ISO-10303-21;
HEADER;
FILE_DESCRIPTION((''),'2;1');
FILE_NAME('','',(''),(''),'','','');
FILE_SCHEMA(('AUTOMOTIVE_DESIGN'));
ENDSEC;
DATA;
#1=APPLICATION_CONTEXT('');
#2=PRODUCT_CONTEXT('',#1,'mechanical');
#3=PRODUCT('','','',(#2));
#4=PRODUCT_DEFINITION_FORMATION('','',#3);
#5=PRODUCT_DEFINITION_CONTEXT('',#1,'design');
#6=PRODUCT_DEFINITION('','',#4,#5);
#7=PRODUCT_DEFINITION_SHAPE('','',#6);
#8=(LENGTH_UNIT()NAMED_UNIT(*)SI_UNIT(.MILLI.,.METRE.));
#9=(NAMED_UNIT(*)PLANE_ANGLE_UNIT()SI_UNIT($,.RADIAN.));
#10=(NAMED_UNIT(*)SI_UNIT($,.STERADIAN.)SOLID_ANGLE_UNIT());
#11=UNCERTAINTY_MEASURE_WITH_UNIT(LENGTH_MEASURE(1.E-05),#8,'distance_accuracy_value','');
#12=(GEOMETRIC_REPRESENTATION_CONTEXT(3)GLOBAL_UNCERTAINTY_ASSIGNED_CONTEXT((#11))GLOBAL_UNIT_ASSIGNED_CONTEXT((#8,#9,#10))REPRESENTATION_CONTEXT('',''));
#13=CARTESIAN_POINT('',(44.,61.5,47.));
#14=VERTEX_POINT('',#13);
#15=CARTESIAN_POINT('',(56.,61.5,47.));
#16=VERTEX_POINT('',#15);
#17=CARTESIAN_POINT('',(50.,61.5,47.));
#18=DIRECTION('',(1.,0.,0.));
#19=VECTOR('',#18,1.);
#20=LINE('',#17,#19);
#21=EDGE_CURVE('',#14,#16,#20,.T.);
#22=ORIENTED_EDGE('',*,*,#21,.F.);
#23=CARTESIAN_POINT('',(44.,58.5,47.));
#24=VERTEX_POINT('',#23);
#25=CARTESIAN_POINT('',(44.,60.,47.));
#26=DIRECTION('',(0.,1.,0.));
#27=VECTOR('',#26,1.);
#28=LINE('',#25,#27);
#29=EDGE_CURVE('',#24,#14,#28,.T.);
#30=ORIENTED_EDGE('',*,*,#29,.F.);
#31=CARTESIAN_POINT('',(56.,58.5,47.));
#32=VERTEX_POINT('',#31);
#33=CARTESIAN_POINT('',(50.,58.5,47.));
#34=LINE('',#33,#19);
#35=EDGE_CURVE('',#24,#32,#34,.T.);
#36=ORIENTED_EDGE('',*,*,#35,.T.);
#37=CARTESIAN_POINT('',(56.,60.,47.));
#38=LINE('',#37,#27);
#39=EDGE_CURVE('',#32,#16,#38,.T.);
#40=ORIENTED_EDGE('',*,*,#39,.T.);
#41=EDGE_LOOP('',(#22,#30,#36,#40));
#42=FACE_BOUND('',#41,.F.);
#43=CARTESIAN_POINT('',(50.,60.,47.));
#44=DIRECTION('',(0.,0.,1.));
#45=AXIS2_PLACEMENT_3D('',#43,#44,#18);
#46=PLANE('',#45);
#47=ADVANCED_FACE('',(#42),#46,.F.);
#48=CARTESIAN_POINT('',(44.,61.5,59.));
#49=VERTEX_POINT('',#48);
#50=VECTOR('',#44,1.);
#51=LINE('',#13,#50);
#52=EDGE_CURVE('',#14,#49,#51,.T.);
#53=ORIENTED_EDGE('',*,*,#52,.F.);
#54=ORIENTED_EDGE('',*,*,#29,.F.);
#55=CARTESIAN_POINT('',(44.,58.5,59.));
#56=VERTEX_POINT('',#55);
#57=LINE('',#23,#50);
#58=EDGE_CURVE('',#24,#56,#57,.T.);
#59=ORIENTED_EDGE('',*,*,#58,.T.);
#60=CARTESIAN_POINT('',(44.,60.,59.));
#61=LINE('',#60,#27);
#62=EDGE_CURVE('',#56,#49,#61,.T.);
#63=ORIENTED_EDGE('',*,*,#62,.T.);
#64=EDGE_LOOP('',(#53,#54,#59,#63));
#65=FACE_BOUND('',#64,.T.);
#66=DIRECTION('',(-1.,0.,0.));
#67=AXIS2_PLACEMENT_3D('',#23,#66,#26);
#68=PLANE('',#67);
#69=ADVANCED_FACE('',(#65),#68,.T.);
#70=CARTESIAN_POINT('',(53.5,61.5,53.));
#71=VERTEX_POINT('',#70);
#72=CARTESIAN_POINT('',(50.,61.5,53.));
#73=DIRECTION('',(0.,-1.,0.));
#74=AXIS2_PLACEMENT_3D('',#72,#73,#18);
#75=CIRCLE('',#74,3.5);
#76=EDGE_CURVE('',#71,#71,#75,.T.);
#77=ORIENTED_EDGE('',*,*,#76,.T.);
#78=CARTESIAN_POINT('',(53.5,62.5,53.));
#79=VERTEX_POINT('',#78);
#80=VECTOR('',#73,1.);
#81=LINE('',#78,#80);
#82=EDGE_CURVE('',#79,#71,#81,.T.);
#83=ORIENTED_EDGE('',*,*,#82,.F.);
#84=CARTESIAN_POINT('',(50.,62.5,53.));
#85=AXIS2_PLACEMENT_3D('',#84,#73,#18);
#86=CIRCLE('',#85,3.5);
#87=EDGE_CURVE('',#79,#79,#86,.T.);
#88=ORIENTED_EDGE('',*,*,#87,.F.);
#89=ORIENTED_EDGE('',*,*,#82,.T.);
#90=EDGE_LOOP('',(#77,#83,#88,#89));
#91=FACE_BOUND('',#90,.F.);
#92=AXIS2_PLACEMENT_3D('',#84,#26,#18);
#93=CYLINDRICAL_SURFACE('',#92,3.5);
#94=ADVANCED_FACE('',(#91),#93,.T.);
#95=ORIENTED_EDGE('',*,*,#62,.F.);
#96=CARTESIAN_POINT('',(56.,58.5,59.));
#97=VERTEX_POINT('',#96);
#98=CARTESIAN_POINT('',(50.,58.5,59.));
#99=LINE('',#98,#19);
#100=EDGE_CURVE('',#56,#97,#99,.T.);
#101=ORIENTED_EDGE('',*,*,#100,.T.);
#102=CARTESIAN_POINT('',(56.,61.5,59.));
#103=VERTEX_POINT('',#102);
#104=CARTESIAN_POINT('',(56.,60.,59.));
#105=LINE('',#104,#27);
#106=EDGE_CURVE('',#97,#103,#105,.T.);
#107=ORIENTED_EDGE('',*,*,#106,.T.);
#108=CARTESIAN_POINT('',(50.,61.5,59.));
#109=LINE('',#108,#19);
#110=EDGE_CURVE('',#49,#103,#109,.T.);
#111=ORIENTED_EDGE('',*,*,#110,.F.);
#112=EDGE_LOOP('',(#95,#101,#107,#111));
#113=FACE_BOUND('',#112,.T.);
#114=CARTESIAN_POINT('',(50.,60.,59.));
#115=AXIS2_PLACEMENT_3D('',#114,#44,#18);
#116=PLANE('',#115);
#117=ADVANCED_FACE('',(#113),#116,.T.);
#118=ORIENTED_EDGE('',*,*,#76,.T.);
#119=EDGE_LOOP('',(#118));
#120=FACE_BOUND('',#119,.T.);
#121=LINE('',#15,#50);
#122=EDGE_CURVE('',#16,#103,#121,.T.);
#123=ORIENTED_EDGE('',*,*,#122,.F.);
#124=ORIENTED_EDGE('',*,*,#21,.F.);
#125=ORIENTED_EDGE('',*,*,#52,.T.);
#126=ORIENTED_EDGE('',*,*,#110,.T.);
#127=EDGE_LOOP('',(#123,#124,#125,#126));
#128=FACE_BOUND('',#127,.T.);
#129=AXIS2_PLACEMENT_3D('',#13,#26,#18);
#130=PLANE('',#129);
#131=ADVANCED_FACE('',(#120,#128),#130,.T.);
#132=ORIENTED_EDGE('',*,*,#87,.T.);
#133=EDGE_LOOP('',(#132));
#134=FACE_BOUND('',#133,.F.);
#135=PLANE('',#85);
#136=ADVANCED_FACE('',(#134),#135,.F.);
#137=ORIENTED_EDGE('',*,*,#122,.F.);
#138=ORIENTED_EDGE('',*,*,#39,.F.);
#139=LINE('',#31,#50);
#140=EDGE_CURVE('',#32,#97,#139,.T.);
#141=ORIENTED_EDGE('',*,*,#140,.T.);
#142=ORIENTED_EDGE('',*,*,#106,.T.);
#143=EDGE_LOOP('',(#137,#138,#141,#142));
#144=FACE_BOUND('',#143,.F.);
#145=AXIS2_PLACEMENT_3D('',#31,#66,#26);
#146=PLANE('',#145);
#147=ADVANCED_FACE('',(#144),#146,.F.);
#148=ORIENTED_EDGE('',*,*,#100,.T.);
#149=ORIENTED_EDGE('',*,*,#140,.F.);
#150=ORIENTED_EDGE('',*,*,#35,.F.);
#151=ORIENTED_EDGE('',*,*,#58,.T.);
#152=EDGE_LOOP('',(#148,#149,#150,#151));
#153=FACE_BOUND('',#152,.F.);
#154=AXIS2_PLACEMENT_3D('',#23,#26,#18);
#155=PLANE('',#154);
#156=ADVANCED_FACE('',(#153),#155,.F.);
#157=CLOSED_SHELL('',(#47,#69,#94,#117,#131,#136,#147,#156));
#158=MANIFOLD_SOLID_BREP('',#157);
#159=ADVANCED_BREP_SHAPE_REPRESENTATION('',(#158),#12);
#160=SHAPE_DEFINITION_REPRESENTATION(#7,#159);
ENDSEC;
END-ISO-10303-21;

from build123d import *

# Parameters (mm, degrees)
BOX076_W               = 12
BOX076_H               = 3
BOX076_DEPTH           = 12
CYLINDER042_R          = 3.5
CYLINDER042_DEPTH      = 1
CYLINDER042_ROLL_ANGLE = 90


with BuildPart() as cube075:
    # Box076 → Box076 (new body)
    with BuildSketch(Plane(origin=(0, 71, 0), x_dir=(1, 0, 0), z_dir=(0, 0, 1))):
        with Locations((6, 1.5)):
            Rectangle(BOX076_W, BOX076_H)
    extrude(amount=BOX076_DEPTH)


with BuildPart() as microinterruptor:
    # Cylinder042 → Cylinder042 (new body)
    with BuildSketch(Plane.XY):
        Circle(CYLINDER042_R)
    extrude(amount=CYLINDER042_DEPTH)


with BuildPart() as microinterruptor_1:
    # Cylinder042 roll: moved
    add(microinterruptor.part.rotate(Axis((0, 0, 0), (1, 0, 0)), CYLINDER042_ROLL_ANGLE))


with BuildPart() as microinterruptor_2:
    # Cylinder042 placement: moved
    add(microinterruptor_1.part.moved(Location((6, 75, 6))))

    # Fusion024: union Cube075
    add(cube075.part)


with BuildPart() as microinterruptor_3:
    # Fusion024 placement: moved
    add(microinterruptor_2.part.moved(Location((44, -12.5, 47))))


solid = microinterruptor_3.part
